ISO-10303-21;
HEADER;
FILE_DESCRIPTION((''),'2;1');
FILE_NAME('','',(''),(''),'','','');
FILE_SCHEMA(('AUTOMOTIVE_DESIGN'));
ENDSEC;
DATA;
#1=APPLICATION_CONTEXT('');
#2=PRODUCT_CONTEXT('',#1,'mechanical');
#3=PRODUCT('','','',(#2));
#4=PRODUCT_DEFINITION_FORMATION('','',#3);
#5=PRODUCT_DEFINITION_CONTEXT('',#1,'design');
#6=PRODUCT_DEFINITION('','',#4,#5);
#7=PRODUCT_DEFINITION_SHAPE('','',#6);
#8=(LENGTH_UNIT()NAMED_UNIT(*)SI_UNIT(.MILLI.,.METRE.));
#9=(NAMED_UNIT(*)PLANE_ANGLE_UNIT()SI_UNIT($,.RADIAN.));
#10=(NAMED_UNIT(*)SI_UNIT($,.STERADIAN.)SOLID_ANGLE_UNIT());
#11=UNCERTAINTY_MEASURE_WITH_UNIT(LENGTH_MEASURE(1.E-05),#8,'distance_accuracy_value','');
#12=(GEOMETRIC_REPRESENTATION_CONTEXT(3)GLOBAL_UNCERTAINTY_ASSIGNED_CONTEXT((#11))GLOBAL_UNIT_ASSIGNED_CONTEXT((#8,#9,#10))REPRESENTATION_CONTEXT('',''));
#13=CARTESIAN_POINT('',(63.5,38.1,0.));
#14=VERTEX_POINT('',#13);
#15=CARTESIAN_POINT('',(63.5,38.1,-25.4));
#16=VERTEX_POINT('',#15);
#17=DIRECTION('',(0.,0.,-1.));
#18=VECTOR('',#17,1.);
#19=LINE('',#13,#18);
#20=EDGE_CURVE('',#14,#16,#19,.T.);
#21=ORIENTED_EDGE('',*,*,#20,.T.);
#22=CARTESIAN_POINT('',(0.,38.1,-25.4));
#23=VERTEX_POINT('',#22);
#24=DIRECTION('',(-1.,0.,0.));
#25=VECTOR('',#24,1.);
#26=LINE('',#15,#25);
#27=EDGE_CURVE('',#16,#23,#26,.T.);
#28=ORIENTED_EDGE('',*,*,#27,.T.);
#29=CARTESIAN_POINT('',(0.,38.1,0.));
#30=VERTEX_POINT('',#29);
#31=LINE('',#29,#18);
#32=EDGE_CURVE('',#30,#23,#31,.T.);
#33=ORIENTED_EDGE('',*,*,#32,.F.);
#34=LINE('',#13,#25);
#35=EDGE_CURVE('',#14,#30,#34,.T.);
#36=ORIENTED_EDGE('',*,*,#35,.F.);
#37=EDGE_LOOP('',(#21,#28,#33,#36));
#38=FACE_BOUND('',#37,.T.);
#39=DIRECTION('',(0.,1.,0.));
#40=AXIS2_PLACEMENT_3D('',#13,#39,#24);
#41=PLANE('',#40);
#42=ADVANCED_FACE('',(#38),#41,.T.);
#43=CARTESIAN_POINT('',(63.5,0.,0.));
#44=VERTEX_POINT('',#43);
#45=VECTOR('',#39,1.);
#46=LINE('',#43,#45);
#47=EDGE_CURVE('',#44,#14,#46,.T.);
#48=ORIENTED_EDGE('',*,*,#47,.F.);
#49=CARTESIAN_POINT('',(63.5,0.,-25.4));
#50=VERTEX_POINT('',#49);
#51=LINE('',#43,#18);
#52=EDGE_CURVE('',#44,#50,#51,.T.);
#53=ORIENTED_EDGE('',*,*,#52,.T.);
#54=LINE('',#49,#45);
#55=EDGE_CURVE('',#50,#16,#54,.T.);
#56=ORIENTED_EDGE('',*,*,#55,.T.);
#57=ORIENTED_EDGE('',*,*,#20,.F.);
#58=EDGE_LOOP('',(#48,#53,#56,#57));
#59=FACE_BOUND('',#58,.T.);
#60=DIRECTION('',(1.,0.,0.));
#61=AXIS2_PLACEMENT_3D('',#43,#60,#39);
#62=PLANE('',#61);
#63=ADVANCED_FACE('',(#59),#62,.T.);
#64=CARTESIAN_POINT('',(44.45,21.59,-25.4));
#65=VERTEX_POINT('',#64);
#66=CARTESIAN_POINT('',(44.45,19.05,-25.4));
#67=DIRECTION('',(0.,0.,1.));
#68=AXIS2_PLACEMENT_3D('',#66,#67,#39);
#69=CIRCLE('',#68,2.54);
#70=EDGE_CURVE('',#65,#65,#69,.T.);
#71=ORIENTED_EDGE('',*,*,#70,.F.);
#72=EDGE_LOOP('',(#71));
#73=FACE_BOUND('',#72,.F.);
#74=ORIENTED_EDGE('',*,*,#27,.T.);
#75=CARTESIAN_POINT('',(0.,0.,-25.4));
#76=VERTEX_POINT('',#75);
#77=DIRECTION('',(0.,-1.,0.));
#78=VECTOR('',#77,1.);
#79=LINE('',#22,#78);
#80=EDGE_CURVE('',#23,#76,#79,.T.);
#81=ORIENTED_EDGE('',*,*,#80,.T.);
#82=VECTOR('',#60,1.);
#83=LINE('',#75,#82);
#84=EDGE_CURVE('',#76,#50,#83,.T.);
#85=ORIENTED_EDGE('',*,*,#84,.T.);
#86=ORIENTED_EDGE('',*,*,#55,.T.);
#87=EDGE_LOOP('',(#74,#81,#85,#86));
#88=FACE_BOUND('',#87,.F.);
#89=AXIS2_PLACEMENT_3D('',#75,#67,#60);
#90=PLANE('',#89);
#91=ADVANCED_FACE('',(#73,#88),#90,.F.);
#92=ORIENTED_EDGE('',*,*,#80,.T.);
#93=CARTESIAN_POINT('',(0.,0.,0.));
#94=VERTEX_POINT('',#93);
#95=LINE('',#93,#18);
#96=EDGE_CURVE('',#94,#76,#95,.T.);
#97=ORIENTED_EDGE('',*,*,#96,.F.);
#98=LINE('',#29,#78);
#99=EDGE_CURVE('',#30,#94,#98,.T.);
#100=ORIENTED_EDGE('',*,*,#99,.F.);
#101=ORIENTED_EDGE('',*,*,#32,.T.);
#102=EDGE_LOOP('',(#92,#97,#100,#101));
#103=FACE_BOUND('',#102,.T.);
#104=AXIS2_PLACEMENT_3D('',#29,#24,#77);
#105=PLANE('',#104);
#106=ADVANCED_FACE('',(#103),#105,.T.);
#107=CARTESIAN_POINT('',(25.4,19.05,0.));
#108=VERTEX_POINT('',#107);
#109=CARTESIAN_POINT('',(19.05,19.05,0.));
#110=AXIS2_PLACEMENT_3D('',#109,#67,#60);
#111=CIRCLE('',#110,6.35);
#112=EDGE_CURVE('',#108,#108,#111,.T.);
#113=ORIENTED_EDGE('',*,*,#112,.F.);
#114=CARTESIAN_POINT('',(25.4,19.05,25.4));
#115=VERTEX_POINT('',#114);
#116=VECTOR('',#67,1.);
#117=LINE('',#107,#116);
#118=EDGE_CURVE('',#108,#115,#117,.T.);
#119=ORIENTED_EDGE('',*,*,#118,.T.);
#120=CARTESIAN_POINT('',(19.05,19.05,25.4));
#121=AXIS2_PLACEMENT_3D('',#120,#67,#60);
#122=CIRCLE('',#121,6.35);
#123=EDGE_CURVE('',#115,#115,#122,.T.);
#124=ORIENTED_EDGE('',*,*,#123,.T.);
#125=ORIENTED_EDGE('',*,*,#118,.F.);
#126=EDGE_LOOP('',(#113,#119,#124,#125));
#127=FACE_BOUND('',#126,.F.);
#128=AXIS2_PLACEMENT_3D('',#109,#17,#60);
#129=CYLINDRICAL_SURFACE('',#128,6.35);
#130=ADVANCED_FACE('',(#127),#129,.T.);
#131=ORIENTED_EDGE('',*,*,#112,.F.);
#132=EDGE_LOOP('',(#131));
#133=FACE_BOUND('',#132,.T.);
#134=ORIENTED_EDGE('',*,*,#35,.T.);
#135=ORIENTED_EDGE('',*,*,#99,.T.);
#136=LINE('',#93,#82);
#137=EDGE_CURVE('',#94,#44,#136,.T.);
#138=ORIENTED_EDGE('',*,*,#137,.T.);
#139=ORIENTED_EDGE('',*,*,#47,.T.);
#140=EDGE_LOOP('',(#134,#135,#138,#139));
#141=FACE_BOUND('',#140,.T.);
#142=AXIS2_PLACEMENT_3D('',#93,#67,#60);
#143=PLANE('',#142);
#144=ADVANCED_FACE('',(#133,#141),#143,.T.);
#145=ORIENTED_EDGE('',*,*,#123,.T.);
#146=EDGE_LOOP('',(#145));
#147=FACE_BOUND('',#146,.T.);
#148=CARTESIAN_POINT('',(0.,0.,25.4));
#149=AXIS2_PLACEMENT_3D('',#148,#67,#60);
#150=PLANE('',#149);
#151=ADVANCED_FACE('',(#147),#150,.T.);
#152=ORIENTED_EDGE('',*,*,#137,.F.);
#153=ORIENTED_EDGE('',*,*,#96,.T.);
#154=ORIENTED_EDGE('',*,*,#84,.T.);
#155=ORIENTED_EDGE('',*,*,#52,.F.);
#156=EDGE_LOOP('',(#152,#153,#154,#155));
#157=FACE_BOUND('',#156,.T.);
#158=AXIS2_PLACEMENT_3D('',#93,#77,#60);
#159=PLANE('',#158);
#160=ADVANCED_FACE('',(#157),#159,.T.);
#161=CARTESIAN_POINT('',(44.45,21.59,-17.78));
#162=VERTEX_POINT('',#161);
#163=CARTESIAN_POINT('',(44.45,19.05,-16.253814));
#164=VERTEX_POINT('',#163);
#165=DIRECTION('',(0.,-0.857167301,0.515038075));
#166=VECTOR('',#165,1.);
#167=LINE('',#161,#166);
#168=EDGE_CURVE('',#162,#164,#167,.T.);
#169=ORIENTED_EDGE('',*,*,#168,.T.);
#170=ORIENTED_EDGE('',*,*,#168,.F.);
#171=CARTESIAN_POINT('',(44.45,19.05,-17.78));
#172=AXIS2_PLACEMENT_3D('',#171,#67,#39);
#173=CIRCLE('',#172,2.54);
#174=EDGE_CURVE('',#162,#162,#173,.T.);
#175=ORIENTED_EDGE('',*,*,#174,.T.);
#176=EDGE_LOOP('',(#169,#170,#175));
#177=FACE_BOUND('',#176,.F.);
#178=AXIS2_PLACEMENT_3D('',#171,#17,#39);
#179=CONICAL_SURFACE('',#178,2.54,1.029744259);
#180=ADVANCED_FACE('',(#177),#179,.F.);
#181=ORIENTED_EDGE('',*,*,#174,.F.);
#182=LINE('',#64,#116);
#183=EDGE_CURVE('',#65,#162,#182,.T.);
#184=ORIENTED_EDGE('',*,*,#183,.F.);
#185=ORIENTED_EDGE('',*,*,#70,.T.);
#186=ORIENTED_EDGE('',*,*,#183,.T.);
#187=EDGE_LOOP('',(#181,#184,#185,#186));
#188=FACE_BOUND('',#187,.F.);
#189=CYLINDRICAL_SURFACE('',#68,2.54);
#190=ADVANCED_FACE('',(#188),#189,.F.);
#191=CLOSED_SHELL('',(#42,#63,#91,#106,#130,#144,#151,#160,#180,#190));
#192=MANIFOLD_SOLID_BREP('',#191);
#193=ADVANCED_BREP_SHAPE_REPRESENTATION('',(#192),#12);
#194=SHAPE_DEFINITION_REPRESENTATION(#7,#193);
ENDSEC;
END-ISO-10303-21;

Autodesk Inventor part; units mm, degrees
ref_plane "YZ Plane" through (0, 0, 0) normal (1, 0, 0) x (0, 1, 0)
ref_plane "XZ Plane" through (0, 0, 0) normal (0, 1, 0) x (-1, 0, 0)
ref_plane "XY Plane" through (0, 0, 0) normal (0, 0, 1) x (1, 0, 0)
sketch "Sketch1" plane through (0, 0, 0) normal (0, 0, 1) x (1, 0, 0)
  line L0 (0, 0) -> (63.5, 0)
  line L1 (63.5, 0) -> (63.5, 38.1)
  line L2 (63.5, 38.1) -> (0, 38.1)
  line L3 (0, 38.1) -> (0, 0)
  circle A0 centre (19.05, 19.05) radius 6.35
  dimension "d0" = 63.5
  dimension "d1" = 38.1
  dimension "d4" = 19.05
  dimension "d5" = 12.7
extrude "Extrusion1" add sketch "Sketch1" against normal blind 25.4 contours L3 L2 L1 L0 | A0
extrude "Extrusion2" add sketch "Sketch1" along normal blind 25.4 contours A0
sketch "Sketch2" plane through (0, 0, -25.4) normal (0, 0, -1) x (-1, 0, 0)
  line L0 (-63.5, 0) -> (-63.5, 38.1) projected
  circle A0 centre (-44.45, 19.05) radius 8.4036
  dimension "d8" = 19.05
hole "Hole1" at (44.45, 19.05, -25.4) direction (0, 0, 1) diameter 5.08 depth 7.62 tip angle 118
properties part number "proxycimulator775"
